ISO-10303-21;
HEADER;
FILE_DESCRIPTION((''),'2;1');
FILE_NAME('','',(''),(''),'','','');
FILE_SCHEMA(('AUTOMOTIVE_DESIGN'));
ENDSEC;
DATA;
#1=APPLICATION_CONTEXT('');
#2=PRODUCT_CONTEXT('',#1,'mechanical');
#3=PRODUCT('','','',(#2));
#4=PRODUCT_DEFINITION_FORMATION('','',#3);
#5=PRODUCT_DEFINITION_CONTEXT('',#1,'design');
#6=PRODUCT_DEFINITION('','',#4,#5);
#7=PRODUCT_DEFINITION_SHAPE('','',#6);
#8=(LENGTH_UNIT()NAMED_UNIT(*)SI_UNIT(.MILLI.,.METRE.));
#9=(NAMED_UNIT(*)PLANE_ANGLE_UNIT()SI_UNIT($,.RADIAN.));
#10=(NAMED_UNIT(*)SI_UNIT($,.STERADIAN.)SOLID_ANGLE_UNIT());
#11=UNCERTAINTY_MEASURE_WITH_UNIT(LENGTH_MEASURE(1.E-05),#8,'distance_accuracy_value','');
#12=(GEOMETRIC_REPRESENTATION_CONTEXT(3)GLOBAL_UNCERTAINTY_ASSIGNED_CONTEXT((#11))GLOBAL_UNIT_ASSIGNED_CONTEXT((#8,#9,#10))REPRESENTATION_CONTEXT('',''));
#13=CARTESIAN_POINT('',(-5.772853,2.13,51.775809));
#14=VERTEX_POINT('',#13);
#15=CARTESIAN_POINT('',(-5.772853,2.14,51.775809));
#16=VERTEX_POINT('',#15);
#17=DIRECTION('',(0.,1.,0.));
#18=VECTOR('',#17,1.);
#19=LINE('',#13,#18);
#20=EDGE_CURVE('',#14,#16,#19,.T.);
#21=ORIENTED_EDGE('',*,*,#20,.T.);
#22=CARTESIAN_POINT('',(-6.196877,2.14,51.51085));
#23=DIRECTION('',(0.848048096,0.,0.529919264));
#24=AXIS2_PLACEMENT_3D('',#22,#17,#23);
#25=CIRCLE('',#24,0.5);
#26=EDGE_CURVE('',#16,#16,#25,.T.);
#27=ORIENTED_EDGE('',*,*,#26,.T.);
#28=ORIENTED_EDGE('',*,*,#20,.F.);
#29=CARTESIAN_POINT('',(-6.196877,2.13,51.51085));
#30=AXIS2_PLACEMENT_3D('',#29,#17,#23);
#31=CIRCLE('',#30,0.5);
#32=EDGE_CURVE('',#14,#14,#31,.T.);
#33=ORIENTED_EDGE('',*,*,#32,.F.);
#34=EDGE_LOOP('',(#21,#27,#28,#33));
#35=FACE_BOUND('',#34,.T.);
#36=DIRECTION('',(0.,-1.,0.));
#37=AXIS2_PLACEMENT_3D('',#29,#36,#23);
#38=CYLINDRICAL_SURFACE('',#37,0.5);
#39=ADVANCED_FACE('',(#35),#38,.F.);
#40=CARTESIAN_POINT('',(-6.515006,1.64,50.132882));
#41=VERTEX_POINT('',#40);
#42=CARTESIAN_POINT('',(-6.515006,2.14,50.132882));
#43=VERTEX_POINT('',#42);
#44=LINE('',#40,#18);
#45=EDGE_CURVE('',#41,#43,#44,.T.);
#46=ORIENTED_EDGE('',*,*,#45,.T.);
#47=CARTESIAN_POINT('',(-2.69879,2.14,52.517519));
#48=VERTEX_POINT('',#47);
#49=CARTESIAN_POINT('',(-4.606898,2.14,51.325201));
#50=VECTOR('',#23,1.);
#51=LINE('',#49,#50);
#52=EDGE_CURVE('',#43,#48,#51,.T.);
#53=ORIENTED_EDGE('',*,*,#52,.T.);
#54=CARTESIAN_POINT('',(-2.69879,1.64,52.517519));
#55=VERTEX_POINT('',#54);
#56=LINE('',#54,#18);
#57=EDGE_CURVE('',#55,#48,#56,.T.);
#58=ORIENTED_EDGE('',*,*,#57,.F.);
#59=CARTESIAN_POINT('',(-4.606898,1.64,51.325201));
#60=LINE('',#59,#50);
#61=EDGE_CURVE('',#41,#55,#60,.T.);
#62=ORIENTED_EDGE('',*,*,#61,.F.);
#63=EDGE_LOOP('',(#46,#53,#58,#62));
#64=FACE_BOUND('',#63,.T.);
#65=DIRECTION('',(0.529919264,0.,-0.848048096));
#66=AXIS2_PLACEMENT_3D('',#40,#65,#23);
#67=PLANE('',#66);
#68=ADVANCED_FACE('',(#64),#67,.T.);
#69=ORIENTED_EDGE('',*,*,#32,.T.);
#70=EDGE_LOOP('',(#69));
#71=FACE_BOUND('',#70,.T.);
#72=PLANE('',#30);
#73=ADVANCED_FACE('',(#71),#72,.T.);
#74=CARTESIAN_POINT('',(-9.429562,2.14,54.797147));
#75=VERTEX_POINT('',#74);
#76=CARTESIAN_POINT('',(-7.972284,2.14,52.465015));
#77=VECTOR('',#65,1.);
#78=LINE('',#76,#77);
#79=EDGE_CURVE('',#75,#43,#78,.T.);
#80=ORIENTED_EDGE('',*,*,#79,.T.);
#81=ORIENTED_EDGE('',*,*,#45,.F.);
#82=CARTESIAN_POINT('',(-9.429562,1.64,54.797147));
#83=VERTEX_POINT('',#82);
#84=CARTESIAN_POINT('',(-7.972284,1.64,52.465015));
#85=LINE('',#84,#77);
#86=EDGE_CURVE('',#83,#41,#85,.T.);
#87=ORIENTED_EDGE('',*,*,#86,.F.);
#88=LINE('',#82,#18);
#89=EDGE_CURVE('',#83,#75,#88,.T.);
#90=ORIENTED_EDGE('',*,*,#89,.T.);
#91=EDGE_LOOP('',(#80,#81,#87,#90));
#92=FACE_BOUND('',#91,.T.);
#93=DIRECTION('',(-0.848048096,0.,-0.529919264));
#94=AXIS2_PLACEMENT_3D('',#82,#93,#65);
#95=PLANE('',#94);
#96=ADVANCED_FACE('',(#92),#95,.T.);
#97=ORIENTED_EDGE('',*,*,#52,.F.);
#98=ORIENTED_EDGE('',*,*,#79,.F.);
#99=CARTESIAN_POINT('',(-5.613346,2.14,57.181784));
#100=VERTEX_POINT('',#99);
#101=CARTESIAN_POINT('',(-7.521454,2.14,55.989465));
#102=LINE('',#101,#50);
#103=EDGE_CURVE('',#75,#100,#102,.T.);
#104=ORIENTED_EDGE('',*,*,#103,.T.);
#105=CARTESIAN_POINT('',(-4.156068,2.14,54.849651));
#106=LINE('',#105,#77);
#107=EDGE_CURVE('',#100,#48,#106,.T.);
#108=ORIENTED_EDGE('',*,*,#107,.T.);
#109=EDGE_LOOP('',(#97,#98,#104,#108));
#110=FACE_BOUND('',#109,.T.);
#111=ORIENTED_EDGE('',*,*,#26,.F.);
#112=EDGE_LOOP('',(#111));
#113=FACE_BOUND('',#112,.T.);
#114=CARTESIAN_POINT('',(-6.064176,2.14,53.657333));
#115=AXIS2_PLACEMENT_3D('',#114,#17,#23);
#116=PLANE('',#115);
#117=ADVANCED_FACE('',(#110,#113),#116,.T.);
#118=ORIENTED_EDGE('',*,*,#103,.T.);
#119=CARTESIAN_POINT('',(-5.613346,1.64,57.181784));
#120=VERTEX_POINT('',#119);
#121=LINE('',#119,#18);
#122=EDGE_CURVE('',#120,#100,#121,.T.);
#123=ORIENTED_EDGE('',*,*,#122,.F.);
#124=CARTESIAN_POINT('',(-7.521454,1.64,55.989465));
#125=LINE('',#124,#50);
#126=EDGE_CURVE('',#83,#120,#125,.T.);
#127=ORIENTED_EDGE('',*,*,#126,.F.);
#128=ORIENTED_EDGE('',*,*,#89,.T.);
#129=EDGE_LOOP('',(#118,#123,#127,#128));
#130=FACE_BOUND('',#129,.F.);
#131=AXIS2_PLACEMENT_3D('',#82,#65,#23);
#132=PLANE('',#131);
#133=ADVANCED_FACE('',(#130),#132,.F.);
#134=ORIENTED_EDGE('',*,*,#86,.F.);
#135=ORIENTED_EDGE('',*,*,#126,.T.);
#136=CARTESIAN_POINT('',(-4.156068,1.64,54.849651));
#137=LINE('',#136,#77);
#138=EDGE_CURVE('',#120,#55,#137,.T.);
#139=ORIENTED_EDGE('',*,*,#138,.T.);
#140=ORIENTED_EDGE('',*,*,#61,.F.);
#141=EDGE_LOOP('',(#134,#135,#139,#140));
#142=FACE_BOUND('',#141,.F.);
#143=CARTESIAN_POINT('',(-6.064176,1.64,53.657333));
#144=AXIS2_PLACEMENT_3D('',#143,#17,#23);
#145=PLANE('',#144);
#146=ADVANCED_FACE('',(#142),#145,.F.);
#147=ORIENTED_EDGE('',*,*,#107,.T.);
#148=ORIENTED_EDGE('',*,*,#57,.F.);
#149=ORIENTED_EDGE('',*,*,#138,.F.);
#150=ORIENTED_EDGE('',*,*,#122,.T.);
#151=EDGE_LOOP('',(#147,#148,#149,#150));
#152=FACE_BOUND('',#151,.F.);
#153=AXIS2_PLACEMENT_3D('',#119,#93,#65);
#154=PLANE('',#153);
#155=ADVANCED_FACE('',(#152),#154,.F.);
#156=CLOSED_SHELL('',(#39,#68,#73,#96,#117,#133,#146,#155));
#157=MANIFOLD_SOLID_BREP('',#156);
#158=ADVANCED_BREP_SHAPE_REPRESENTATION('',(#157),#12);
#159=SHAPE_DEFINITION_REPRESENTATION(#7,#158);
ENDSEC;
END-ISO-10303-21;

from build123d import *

# Parameters (mm, degrees)
CYLINDER061_R      = 0.5
CYLINDER061_DEPTH  = 0.01
BOX134_W           = 4.5
BOX134_H           = 5.5
BOX134_DEPTH       = 0.5
CUT059_ROLL_ANGLE  = -90
CUT059_PITCH_ANGLE = -32


with BuildPart() as cylinder061:
    # Cylinder061 → Cylinder061 (new body)
    with BuildSketch(Plane(origin=(1, 4.5, 0.49), x_dir=(1, 0, 0), z_dir=(0, 0, 1))):
        Circle(CYLINDER061_R)
    extrude(amount=CYLINDER061_DEPTH)


with BuildPart() as small_linbo3_plate064:
    # Box134 → Box134 (new body)
    with BuildSketch(Plane.XY):
        with Locations((2.25, 2.75)):
            Rectangle(BOX134_W, BOX134_H)
    extrude(amount=BOX134_DEPTH)

    # Cut059: cut Cylinder061
    add(cylinder061.part, mode=Mode.SUBTRACT)


with BuildPart() as small_linbo3_plate064_1:
    # Cut059 roll: moved
    add(small_linbo3_plate064.part.rotate(Axis((0, 0, 0), (1, 0, 0)), CUT059_ROLL_ANGLE))


with BuildPart() as small_linbo3_plate064_2:
    # Cut059 pitch: moved
    add(small_linbo3_plate064_1.part.rotate(Axis((0, 0, 0), (0, 1, 0)), CUT059_PITCH_ANGLE))


with BuildPart() as small_linbo3_plate064_3:
    # Cut059 placement: moved
    add(small_linbo3_plate064_2.part.moved(Location((-9.429562, 1.64, 54.797147))))


solid = small_linbo3_plate064_3.part
